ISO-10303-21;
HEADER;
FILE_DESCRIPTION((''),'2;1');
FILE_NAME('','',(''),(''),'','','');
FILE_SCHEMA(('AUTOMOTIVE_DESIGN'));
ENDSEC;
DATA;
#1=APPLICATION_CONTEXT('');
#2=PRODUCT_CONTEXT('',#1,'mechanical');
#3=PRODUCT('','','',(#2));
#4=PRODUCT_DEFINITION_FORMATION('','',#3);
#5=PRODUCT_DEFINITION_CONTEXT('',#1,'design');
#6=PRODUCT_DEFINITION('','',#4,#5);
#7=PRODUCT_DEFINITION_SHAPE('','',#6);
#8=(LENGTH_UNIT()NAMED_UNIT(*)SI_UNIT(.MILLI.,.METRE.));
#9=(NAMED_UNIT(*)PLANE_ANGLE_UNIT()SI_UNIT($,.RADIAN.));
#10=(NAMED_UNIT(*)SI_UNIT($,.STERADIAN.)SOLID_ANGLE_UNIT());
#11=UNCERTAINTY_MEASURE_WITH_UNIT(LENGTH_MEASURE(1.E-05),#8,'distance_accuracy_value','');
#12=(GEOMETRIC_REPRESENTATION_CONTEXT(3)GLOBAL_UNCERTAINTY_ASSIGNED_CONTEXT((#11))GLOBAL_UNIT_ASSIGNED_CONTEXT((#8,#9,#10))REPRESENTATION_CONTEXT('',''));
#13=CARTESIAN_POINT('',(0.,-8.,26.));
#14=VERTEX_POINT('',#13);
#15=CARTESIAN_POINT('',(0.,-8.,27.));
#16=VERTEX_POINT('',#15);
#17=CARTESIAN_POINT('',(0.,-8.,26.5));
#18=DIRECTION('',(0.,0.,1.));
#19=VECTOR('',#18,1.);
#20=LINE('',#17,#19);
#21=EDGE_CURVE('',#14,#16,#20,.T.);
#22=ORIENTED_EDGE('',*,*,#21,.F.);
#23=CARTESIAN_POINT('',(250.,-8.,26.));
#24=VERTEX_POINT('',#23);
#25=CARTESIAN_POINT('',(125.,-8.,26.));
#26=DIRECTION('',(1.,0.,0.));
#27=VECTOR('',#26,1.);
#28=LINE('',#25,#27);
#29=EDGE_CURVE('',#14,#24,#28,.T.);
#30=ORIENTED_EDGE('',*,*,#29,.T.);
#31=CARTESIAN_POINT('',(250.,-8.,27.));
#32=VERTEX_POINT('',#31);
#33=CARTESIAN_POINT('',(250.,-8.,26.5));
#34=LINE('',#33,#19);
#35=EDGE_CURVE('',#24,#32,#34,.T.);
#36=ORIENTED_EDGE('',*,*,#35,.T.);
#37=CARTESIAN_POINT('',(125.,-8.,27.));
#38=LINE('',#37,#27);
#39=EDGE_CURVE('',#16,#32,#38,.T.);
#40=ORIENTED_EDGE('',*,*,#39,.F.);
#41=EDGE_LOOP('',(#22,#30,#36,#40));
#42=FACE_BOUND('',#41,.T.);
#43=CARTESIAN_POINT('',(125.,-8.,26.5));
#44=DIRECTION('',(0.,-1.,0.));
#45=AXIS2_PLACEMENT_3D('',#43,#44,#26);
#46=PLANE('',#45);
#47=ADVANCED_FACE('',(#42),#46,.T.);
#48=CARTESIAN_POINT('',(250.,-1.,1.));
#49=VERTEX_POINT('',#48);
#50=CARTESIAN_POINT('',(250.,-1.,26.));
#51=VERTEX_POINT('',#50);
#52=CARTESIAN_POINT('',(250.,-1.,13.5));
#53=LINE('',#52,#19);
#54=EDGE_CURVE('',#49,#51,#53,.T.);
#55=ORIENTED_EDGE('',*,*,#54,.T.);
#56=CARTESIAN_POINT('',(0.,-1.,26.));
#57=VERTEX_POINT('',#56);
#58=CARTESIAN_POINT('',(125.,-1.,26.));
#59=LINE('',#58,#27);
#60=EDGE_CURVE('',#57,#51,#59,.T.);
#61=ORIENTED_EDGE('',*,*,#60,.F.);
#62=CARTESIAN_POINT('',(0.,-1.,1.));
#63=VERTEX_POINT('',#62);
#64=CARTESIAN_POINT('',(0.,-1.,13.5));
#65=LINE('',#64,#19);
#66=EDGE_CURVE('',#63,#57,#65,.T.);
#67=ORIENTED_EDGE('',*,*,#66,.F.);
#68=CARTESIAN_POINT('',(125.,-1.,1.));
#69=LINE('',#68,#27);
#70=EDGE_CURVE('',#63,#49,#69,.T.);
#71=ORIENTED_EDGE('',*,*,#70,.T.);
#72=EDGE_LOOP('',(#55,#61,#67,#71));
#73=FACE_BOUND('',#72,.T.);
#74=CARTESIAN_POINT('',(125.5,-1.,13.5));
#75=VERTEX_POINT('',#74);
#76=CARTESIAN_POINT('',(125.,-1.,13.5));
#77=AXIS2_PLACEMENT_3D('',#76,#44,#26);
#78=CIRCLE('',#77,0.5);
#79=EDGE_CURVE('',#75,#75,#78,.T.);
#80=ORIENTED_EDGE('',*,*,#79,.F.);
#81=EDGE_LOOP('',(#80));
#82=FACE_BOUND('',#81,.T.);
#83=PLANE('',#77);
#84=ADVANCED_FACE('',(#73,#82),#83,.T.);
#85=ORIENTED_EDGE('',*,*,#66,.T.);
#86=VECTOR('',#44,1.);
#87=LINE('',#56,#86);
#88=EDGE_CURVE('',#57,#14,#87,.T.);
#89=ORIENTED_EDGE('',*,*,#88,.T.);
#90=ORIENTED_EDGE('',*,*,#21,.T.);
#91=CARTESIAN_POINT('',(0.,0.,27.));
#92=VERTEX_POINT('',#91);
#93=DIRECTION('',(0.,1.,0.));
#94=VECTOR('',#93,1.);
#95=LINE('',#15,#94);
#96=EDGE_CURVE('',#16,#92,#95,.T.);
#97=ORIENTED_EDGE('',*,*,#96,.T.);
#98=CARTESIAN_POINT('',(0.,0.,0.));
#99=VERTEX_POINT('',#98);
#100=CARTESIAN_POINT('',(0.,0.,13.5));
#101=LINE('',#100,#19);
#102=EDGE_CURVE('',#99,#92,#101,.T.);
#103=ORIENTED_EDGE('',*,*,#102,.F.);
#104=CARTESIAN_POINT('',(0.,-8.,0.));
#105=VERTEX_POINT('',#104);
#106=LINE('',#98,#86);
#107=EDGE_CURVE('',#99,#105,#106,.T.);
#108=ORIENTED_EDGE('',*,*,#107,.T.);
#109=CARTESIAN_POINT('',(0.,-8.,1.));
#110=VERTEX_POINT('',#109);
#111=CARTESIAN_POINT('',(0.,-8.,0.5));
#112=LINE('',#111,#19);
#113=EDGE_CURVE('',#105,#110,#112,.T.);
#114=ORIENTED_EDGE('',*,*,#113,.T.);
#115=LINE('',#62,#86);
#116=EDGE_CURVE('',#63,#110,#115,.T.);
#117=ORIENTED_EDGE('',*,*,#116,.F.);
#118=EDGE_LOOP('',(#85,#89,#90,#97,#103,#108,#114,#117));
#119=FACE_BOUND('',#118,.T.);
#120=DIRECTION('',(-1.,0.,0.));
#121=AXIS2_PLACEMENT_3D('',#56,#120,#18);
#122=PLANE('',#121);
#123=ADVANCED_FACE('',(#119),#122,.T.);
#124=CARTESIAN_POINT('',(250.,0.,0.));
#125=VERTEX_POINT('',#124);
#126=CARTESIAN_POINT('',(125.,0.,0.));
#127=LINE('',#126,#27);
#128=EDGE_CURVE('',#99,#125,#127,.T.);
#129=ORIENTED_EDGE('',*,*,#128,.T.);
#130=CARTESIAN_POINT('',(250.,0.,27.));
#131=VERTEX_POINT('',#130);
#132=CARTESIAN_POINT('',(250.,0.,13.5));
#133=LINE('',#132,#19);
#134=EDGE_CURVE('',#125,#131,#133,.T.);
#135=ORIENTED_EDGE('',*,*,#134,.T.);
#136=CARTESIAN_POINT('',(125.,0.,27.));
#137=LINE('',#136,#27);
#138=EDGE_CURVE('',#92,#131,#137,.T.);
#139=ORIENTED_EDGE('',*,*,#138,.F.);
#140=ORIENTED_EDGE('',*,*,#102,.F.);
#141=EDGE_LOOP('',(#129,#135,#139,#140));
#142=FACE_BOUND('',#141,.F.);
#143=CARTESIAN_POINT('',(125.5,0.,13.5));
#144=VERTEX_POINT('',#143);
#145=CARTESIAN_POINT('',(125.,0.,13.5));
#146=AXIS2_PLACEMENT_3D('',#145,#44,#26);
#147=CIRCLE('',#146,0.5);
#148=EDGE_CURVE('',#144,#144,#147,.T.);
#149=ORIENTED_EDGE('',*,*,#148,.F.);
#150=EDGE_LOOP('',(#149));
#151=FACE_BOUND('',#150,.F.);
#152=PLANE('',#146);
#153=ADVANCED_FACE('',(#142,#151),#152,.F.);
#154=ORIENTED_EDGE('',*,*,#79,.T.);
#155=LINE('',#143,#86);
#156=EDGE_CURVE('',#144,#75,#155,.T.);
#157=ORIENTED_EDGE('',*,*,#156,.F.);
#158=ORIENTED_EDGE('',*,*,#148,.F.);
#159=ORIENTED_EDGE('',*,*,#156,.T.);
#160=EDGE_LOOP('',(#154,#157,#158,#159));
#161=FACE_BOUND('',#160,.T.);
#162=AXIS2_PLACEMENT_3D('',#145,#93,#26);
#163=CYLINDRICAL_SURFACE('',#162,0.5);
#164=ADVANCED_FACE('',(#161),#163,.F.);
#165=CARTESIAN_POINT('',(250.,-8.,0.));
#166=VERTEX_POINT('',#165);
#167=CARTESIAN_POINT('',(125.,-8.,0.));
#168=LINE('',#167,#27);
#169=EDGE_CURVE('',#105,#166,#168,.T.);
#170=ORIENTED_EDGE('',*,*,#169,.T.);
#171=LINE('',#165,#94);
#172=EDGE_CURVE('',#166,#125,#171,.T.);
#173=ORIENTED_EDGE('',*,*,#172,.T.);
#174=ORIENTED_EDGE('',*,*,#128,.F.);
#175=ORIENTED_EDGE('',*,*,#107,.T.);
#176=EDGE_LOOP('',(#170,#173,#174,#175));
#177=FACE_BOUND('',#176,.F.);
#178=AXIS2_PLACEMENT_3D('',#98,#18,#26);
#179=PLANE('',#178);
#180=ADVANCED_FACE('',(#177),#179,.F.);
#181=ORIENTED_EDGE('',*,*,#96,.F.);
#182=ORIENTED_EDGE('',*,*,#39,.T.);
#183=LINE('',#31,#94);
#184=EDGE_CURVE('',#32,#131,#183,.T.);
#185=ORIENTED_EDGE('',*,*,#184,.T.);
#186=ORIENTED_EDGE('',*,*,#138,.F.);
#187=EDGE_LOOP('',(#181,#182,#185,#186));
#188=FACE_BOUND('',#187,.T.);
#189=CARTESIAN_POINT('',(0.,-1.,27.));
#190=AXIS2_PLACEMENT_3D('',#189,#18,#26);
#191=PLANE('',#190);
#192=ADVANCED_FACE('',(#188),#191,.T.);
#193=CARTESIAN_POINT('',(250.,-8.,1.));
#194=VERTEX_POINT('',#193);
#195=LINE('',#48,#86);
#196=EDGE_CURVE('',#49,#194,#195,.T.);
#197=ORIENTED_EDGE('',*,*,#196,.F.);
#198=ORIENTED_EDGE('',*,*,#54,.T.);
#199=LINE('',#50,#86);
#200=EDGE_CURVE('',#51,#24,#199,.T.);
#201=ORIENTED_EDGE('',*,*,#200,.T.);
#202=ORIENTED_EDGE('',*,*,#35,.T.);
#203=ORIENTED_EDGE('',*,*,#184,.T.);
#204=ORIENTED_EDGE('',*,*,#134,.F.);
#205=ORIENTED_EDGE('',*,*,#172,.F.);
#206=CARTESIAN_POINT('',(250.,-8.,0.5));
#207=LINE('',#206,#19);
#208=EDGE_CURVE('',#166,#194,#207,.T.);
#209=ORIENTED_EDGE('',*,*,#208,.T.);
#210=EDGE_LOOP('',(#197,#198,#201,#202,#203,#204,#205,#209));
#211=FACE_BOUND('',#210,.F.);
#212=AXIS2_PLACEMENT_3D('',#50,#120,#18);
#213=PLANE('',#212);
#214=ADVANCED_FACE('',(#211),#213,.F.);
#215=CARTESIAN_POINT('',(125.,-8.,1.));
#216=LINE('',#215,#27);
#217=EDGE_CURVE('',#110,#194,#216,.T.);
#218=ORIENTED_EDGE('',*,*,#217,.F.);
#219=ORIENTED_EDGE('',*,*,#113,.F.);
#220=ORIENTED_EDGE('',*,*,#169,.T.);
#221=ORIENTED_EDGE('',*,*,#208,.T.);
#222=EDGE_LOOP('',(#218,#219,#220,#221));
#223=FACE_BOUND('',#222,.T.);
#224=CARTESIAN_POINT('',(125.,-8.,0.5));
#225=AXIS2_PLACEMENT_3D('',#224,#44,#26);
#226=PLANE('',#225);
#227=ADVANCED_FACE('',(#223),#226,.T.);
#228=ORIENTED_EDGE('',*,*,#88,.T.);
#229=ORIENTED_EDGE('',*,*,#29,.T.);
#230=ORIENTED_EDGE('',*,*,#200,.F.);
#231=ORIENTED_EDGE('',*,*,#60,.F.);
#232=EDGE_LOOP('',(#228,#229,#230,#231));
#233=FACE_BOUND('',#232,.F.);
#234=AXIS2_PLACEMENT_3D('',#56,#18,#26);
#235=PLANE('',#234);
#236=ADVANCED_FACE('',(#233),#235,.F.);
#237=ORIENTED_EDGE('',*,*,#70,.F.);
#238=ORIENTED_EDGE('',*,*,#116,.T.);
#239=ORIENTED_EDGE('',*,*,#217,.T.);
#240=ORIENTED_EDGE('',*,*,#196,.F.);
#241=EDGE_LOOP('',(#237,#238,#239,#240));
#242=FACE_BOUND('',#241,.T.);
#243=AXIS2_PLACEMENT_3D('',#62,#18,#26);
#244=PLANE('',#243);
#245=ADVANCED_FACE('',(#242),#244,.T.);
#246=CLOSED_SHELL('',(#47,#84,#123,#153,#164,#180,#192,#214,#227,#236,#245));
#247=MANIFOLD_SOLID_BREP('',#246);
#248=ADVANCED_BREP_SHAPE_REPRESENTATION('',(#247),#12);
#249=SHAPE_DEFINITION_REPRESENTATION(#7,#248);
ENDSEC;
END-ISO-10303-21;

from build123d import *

# Parameters (mm, degrees)
F0_W     = 250
F0_H     = 27
F0_R     = 0.5
F1_DEPTH = 1
F2_W     = 250
F2_H     = 1
F3_DEPTH = 7


with BuildPart() as f1:
    # F0 (on Front) → F1 (new body)
    with BuildSketch(Plane.XZ):
        with Locations((125, 13.5)):
            Rectangle(F0_W, F0_H)
        with Locations((125, 13.5)):
            Circle(F0_R, mode=Mode.SUBTRACT)
    extrude(amount=F1_DEPTH)

    # F2 (on face) → F3 (join)
    with BuildSketch(Plane.XZ.offset(1)):
        with Locations((125, 26.5)):
            Rectangle(F2_W, F2_H)
        with Locations((125, 0.5)):
            Rectangle(F2_W, F2_H)
    extrude(amount=F3_DEPTH)


solid = f1.part
